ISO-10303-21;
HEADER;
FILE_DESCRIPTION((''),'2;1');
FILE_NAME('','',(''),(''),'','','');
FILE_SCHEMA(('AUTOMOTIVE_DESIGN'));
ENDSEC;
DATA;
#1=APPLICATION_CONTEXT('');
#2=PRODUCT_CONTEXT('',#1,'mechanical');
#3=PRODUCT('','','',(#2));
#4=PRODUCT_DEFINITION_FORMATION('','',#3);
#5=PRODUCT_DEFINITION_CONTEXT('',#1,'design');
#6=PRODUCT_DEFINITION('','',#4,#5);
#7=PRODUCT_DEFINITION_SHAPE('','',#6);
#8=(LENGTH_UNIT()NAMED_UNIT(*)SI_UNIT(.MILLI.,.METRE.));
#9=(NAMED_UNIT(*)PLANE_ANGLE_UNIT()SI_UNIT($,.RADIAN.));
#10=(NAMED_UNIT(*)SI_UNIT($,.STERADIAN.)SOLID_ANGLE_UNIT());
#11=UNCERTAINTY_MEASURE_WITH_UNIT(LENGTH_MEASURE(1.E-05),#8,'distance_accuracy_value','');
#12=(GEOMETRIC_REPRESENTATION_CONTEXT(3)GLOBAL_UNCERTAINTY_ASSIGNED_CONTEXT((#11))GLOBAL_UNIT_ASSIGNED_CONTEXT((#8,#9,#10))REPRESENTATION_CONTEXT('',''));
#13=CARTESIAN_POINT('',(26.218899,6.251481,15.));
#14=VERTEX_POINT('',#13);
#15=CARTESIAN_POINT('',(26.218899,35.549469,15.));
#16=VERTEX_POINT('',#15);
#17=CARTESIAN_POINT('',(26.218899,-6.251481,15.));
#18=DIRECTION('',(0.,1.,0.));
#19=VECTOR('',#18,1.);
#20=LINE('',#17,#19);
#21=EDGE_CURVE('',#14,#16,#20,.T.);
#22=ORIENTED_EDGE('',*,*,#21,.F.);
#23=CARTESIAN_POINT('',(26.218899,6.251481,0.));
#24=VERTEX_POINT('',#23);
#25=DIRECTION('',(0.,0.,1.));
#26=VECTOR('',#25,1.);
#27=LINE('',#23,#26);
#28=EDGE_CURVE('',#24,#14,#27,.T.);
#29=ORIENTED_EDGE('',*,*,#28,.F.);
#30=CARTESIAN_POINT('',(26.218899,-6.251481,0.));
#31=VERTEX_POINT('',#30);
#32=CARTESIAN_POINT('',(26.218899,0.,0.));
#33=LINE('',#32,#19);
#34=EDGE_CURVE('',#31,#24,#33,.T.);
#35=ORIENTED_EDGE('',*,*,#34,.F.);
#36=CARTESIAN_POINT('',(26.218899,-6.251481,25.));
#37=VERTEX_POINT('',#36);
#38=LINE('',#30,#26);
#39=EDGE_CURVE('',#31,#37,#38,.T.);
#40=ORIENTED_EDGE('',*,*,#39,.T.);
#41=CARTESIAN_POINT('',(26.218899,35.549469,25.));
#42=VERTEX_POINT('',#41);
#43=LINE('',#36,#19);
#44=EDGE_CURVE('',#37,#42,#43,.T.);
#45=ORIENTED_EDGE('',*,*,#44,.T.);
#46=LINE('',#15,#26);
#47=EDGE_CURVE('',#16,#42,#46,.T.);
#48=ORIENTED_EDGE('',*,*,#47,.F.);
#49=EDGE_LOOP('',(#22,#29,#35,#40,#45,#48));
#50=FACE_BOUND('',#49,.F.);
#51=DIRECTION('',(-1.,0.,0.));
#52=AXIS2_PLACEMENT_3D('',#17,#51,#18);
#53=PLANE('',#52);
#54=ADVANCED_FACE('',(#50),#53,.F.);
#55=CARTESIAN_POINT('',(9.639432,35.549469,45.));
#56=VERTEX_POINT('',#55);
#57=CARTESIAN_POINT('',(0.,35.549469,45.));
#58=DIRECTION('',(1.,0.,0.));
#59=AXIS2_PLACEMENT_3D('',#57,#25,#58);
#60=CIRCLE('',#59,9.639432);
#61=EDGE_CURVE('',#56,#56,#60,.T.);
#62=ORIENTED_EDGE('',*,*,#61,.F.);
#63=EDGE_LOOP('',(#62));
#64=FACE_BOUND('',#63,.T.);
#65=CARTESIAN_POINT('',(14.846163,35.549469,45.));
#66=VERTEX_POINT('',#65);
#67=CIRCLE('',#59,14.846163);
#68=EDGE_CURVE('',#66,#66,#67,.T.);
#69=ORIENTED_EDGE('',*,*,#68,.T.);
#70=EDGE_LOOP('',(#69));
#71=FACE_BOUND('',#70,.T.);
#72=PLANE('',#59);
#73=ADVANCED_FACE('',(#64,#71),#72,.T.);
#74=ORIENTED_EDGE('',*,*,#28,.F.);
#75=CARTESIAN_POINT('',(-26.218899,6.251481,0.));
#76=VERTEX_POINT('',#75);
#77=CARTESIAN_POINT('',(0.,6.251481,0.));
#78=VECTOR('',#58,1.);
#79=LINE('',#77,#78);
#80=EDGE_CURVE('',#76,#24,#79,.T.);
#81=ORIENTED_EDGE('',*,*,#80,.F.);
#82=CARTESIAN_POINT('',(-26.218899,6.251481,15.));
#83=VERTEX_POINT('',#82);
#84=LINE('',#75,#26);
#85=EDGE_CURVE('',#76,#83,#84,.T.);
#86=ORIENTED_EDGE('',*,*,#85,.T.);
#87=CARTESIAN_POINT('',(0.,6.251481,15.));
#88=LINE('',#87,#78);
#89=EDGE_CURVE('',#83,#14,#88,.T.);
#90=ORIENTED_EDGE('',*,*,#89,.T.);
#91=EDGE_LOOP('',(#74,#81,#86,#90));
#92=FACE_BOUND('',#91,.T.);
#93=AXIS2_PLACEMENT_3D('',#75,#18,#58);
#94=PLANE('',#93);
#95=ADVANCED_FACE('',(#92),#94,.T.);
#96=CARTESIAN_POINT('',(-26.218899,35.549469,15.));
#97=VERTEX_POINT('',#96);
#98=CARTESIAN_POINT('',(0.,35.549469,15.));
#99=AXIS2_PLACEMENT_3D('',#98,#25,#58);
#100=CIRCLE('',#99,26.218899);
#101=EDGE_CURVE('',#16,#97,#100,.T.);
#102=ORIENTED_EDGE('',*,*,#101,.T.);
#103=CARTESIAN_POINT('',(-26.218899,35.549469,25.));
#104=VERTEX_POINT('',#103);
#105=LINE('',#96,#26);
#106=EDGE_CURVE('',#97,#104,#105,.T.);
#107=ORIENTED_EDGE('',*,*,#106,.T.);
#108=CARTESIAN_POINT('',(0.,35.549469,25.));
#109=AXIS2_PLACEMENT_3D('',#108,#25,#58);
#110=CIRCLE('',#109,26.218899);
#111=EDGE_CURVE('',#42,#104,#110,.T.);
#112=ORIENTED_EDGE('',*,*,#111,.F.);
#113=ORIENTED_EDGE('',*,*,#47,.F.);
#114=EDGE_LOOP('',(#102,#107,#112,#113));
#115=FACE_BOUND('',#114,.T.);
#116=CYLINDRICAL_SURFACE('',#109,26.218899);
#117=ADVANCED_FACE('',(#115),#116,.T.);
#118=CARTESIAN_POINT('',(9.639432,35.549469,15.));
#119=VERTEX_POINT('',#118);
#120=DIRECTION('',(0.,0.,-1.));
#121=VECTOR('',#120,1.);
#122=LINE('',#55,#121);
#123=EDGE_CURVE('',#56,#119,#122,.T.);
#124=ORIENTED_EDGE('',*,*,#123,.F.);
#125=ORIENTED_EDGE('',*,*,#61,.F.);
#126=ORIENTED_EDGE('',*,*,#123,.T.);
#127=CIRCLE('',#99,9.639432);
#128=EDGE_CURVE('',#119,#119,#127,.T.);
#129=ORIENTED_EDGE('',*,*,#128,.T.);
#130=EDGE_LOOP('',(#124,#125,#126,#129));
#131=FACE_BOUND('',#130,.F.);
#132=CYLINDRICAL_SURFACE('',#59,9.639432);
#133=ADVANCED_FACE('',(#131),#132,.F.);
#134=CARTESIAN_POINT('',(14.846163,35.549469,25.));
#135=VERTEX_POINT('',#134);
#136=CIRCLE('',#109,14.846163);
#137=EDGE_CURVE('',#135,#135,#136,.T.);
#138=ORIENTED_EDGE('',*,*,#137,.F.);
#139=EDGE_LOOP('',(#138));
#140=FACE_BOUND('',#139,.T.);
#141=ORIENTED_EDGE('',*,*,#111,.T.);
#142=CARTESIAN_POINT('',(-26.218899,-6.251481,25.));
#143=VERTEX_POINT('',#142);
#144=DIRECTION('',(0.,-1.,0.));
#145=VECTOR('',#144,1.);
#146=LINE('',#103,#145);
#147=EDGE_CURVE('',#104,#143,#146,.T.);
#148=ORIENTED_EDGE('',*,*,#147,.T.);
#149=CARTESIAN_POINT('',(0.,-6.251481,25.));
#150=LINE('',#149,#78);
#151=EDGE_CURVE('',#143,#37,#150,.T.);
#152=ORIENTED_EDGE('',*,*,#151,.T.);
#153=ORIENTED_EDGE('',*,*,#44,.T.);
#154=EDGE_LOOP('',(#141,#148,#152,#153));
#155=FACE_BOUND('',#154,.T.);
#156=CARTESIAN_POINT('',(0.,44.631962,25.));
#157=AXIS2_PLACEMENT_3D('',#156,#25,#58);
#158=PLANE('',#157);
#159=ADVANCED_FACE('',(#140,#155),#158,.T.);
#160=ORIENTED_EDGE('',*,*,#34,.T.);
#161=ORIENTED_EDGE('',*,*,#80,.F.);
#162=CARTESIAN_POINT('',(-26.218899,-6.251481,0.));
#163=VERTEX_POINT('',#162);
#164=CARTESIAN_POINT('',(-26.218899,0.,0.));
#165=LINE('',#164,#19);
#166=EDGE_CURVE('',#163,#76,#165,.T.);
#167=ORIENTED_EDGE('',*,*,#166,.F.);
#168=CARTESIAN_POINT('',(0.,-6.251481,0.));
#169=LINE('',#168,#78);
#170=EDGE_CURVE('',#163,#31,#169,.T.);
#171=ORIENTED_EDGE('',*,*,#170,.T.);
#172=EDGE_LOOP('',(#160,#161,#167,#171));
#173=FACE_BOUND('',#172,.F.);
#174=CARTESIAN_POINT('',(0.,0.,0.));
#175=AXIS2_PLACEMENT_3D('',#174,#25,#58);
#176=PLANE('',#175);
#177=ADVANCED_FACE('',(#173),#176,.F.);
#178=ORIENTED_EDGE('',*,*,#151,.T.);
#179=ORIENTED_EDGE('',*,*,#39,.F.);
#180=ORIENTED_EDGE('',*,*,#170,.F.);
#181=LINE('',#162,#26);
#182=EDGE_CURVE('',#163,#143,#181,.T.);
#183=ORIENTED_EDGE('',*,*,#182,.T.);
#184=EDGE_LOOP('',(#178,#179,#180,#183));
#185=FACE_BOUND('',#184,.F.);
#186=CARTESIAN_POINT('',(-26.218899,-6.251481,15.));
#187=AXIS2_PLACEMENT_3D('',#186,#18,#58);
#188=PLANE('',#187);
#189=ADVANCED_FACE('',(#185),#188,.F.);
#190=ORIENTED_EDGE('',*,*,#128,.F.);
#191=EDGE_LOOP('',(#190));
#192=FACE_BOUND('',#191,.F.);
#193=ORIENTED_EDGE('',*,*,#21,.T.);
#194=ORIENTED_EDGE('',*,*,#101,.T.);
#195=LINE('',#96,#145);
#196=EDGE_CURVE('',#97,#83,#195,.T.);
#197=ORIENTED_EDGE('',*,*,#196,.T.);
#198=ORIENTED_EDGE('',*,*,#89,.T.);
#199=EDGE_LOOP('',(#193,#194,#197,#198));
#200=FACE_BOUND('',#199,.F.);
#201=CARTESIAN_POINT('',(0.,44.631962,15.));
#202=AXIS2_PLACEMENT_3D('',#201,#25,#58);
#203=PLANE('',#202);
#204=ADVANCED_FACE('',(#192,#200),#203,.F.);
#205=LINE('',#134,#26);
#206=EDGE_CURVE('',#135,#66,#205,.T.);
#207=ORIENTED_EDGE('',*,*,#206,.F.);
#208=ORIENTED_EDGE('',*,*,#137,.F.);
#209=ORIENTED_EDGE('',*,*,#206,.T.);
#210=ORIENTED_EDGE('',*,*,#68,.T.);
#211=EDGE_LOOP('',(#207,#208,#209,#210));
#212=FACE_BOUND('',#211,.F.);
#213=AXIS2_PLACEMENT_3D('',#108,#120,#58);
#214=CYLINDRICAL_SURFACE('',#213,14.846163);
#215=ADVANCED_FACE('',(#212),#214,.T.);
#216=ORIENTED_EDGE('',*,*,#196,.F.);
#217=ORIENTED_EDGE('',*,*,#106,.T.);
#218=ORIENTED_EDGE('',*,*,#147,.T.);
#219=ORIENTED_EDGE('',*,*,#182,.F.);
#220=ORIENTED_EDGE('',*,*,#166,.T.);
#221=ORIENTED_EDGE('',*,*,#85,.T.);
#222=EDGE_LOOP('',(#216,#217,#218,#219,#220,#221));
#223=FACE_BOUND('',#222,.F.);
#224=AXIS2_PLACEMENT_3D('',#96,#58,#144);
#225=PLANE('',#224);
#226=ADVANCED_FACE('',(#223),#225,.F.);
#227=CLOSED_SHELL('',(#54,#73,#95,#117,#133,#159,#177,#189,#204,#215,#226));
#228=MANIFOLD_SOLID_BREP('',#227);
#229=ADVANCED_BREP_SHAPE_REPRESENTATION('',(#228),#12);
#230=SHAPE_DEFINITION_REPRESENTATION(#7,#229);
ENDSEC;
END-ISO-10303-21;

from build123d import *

# Parameters (mm, degrees)
F0_W     = 52.437798
F0_H     = 12.502962
F1_DEPTH = 15
F2_W     = 52.437798
F2_H     = 29.297988
F2_H_2   = 12.502962
F3_DEPTH = 10
F5_DEPTH = 10
F6_R     = 14.846163
F7_DEPTH = 20
F8_R     = 9.639432
F9_DEPTH = 45.001


with BuildPart() as f1:
    # F0 (on Top) → F1 (new body)
    with BuildSketch(Plane.XY):
        Rectangle(F0_W, F0_H)
    extrude(amount=F1_DEPTH)

    # F2 (on face) → F3 (join)
    with BuildSketch(Plane.XY.offset(15)):
        with Locations((0, 20.900475)):
            Rectangle(F2_W, F2_H)
        Rectangle(F2_W, F2_H_2)
    extrude(amount=F3_DEPTH)

    # F4 (on face) → F5 (join)
    with BuildSketch(Plane.XY.offset(25)):
        with BuildLine():
            Line((-26.218899, 35.549469), (26.218899, 35.549469))
            ThreePointArc((26.218899, 35.549469), (0, 61.768368), (-26.218899, 35.549469))
        make_face()
    extrude(amount=-F5_DEPTH)

    # F6 (on face) → F7 (join)
    with BuildSketch(Plane.XY.offset(25)):
        with Locations((0, 35.549469)):
            Circle(F6_R)
    extrude(amount=F7_DEPTH)

    # F8 (on face) → F9 (cut, through all)
    with BuildSketch(Plane.XY.offset(45)):
        with Locations((0, 35.549469)):
            Circle(F8_R)
    extrude(amount=-F9_DEPTH, mode=Mode.SUBTRACT)


solid = f1.part
